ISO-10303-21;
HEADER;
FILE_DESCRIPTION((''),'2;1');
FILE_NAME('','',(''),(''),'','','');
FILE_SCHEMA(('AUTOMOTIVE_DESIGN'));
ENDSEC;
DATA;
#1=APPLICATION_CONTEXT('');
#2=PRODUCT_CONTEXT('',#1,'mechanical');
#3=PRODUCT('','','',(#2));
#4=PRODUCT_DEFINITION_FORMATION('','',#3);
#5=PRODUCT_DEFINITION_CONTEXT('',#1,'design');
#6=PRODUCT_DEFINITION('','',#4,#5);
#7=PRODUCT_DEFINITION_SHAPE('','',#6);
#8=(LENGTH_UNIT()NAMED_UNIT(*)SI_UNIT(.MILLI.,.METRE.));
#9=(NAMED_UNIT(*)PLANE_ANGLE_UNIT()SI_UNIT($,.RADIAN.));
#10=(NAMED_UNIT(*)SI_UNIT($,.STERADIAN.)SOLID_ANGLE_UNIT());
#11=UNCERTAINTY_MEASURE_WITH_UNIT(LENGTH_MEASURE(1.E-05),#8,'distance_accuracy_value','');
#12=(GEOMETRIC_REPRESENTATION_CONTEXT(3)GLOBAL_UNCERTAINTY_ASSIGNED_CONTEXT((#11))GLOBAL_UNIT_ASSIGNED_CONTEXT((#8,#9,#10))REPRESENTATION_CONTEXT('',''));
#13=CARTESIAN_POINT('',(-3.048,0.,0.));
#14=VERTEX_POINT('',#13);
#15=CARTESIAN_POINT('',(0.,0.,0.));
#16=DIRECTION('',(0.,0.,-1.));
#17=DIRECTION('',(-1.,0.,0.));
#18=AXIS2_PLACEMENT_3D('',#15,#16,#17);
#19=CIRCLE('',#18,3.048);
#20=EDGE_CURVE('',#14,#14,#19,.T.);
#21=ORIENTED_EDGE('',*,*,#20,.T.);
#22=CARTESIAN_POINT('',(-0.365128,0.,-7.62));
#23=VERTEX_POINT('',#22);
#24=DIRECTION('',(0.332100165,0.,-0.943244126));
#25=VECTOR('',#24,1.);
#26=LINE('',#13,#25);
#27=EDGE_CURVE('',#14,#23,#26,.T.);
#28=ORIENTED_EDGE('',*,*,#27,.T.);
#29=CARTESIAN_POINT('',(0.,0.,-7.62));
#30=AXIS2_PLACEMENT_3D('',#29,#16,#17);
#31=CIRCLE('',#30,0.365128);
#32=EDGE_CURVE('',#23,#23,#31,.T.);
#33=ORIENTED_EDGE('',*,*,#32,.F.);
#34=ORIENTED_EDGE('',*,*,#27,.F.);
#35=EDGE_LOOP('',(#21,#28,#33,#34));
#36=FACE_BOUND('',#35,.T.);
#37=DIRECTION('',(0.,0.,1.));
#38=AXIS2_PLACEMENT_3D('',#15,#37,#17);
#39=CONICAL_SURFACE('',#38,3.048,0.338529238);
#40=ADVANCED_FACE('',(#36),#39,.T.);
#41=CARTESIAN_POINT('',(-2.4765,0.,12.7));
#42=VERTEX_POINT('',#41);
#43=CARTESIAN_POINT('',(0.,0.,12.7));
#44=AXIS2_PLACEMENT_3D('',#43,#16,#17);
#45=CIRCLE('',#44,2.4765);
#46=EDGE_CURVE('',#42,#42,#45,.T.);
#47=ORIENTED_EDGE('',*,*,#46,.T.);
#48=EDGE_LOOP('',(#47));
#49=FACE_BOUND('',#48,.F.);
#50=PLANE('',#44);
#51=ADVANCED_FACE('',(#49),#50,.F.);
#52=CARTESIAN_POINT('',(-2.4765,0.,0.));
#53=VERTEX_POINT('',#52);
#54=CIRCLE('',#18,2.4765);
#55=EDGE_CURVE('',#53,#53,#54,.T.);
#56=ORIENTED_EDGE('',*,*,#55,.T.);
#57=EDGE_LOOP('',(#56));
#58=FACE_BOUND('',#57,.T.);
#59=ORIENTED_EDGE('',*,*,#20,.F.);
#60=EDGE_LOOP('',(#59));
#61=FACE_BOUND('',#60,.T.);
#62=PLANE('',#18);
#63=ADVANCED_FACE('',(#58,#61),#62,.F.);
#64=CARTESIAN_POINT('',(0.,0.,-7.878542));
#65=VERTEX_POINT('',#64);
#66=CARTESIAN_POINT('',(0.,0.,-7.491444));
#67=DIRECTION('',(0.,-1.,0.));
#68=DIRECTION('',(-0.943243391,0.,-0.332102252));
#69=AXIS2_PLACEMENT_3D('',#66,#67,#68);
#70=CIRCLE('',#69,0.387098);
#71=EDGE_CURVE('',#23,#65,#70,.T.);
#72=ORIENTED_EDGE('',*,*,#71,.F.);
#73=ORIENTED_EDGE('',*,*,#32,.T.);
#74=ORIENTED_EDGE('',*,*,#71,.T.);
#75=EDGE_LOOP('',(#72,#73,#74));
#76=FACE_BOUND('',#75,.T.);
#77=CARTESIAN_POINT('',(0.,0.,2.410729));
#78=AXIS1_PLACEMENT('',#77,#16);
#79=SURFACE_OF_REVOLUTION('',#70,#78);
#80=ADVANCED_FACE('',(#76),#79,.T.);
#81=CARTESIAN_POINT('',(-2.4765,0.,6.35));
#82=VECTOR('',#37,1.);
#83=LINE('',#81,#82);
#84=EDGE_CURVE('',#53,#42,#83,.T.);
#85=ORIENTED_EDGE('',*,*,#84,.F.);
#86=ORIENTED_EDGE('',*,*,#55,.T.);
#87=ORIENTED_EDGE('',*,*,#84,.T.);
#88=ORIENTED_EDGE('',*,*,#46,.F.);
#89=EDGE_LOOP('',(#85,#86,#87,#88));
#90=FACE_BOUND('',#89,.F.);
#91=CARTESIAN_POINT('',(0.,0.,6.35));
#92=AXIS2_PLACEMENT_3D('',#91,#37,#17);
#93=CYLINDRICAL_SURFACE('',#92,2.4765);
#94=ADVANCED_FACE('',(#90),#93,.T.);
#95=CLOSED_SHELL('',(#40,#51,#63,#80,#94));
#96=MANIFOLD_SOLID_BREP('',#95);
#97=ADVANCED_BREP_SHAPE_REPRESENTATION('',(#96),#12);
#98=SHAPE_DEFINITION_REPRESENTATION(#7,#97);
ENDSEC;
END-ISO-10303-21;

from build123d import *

# Parameters (mm, degrees)
F0_W = 2.4765
F0_H = 12.7


with BuildPart() as f1:
    # F0 (on Front) → F1 (revolve)
    with BuildSketch(Plane.XZ):
        with Locations((-1.23825, 6.35)):
            Rectangle(F0_W, F0_H)
        with BuildLine():
            Line((0, -7.491445), (0, 0))
            Line((0, 0), (-2.4765, 0))
            Line((-2.4765, 0), (-3.048, 0))
            Line((-3.048, 0), (-0.365128, -7.62))
            ThreePointArc((-0.365128, -7.62), (-0.223698, -7.807362), (0, -7.878542))
            Line((0, -7.878542), (0, -7.491445))
        make_face()
    revolve(axis=Axis((0, 0, 2.410729), (0, 0, -1)))


solid = f1.part
